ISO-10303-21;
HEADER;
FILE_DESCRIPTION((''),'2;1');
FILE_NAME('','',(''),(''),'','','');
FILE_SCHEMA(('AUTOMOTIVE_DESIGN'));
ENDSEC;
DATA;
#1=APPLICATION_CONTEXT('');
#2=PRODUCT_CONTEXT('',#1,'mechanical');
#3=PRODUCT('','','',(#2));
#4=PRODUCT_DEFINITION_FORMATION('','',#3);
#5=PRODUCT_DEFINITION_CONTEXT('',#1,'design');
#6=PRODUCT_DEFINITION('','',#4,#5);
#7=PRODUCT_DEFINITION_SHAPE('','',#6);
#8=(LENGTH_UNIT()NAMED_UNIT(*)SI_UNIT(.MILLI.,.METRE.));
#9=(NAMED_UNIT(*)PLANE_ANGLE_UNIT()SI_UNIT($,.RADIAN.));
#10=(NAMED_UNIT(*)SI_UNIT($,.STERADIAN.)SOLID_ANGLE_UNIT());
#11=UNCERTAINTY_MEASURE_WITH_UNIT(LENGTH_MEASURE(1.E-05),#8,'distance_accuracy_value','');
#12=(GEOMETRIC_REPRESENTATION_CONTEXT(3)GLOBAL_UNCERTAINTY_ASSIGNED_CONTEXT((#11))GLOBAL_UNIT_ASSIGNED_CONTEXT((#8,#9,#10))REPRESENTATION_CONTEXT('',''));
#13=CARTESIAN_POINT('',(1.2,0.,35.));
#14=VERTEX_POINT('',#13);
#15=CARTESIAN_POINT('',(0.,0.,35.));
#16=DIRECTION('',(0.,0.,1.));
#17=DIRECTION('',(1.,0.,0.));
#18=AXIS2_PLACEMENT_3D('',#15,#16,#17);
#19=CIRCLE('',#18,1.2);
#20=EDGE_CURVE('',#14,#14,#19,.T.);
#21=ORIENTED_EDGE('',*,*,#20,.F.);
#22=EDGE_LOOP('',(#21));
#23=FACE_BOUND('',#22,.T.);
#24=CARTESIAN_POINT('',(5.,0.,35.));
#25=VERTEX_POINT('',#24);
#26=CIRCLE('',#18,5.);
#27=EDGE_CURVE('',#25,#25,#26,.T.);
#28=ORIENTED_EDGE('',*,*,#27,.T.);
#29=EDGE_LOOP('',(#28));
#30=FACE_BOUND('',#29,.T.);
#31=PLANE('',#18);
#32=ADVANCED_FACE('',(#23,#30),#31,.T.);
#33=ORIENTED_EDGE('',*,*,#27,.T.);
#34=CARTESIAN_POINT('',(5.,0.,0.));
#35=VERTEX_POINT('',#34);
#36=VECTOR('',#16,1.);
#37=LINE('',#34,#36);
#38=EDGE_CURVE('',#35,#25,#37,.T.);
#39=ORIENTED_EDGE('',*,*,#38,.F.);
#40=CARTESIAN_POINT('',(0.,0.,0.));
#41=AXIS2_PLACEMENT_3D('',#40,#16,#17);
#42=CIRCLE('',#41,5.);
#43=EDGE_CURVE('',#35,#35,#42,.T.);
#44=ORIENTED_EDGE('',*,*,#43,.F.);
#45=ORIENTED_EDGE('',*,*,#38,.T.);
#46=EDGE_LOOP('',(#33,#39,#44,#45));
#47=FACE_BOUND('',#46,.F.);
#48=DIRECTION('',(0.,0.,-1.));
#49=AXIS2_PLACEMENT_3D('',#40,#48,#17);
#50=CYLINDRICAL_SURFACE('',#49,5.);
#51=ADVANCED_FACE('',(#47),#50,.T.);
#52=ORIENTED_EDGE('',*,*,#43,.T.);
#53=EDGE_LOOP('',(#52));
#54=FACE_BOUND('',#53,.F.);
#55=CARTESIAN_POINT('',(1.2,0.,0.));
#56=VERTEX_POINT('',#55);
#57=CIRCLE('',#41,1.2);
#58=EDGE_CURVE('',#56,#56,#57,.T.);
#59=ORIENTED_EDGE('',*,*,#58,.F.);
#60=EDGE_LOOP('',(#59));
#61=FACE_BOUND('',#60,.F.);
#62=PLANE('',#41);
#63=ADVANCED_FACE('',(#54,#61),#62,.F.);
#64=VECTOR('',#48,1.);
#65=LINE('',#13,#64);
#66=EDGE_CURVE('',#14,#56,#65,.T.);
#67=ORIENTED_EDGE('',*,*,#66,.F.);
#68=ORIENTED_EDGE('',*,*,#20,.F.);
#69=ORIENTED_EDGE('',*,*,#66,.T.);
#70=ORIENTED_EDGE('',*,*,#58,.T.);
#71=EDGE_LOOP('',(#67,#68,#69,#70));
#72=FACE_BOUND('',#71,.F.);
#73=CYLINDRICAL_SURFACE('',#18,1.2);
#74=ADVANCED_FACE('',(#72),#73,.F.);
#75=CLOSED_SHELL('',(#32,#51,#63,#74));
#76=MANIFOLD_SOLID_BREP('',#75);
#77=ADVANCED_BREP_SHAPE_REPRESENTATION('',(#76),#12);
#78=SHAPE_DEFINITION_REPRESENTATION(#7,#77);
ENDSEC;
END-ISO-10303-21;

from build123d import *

# Parameters (mm, degrees)
SKETCH_R     = 5
PAD_DEPTH    = 35
SKETCH001_R  = 1.2
POCKET_DEPTH = 35


with BuildPart() as part:
    # Sketch → Pad (new body)
    with BuildSketch(Plane.XY):
        Circle(SKETCH_R)
    extrude(amount=PAD_DEPTH)

    # Sketch001 (on Face3 of Pad) → Pocket (cut)
    with BuildSketch(Plane.XY.offset(35)):
        Circle(SKETCH001_R)
    extrude(amount=-POCKET_DEPTH, mode=Mode.SUBTRACT)


solid = part.part
